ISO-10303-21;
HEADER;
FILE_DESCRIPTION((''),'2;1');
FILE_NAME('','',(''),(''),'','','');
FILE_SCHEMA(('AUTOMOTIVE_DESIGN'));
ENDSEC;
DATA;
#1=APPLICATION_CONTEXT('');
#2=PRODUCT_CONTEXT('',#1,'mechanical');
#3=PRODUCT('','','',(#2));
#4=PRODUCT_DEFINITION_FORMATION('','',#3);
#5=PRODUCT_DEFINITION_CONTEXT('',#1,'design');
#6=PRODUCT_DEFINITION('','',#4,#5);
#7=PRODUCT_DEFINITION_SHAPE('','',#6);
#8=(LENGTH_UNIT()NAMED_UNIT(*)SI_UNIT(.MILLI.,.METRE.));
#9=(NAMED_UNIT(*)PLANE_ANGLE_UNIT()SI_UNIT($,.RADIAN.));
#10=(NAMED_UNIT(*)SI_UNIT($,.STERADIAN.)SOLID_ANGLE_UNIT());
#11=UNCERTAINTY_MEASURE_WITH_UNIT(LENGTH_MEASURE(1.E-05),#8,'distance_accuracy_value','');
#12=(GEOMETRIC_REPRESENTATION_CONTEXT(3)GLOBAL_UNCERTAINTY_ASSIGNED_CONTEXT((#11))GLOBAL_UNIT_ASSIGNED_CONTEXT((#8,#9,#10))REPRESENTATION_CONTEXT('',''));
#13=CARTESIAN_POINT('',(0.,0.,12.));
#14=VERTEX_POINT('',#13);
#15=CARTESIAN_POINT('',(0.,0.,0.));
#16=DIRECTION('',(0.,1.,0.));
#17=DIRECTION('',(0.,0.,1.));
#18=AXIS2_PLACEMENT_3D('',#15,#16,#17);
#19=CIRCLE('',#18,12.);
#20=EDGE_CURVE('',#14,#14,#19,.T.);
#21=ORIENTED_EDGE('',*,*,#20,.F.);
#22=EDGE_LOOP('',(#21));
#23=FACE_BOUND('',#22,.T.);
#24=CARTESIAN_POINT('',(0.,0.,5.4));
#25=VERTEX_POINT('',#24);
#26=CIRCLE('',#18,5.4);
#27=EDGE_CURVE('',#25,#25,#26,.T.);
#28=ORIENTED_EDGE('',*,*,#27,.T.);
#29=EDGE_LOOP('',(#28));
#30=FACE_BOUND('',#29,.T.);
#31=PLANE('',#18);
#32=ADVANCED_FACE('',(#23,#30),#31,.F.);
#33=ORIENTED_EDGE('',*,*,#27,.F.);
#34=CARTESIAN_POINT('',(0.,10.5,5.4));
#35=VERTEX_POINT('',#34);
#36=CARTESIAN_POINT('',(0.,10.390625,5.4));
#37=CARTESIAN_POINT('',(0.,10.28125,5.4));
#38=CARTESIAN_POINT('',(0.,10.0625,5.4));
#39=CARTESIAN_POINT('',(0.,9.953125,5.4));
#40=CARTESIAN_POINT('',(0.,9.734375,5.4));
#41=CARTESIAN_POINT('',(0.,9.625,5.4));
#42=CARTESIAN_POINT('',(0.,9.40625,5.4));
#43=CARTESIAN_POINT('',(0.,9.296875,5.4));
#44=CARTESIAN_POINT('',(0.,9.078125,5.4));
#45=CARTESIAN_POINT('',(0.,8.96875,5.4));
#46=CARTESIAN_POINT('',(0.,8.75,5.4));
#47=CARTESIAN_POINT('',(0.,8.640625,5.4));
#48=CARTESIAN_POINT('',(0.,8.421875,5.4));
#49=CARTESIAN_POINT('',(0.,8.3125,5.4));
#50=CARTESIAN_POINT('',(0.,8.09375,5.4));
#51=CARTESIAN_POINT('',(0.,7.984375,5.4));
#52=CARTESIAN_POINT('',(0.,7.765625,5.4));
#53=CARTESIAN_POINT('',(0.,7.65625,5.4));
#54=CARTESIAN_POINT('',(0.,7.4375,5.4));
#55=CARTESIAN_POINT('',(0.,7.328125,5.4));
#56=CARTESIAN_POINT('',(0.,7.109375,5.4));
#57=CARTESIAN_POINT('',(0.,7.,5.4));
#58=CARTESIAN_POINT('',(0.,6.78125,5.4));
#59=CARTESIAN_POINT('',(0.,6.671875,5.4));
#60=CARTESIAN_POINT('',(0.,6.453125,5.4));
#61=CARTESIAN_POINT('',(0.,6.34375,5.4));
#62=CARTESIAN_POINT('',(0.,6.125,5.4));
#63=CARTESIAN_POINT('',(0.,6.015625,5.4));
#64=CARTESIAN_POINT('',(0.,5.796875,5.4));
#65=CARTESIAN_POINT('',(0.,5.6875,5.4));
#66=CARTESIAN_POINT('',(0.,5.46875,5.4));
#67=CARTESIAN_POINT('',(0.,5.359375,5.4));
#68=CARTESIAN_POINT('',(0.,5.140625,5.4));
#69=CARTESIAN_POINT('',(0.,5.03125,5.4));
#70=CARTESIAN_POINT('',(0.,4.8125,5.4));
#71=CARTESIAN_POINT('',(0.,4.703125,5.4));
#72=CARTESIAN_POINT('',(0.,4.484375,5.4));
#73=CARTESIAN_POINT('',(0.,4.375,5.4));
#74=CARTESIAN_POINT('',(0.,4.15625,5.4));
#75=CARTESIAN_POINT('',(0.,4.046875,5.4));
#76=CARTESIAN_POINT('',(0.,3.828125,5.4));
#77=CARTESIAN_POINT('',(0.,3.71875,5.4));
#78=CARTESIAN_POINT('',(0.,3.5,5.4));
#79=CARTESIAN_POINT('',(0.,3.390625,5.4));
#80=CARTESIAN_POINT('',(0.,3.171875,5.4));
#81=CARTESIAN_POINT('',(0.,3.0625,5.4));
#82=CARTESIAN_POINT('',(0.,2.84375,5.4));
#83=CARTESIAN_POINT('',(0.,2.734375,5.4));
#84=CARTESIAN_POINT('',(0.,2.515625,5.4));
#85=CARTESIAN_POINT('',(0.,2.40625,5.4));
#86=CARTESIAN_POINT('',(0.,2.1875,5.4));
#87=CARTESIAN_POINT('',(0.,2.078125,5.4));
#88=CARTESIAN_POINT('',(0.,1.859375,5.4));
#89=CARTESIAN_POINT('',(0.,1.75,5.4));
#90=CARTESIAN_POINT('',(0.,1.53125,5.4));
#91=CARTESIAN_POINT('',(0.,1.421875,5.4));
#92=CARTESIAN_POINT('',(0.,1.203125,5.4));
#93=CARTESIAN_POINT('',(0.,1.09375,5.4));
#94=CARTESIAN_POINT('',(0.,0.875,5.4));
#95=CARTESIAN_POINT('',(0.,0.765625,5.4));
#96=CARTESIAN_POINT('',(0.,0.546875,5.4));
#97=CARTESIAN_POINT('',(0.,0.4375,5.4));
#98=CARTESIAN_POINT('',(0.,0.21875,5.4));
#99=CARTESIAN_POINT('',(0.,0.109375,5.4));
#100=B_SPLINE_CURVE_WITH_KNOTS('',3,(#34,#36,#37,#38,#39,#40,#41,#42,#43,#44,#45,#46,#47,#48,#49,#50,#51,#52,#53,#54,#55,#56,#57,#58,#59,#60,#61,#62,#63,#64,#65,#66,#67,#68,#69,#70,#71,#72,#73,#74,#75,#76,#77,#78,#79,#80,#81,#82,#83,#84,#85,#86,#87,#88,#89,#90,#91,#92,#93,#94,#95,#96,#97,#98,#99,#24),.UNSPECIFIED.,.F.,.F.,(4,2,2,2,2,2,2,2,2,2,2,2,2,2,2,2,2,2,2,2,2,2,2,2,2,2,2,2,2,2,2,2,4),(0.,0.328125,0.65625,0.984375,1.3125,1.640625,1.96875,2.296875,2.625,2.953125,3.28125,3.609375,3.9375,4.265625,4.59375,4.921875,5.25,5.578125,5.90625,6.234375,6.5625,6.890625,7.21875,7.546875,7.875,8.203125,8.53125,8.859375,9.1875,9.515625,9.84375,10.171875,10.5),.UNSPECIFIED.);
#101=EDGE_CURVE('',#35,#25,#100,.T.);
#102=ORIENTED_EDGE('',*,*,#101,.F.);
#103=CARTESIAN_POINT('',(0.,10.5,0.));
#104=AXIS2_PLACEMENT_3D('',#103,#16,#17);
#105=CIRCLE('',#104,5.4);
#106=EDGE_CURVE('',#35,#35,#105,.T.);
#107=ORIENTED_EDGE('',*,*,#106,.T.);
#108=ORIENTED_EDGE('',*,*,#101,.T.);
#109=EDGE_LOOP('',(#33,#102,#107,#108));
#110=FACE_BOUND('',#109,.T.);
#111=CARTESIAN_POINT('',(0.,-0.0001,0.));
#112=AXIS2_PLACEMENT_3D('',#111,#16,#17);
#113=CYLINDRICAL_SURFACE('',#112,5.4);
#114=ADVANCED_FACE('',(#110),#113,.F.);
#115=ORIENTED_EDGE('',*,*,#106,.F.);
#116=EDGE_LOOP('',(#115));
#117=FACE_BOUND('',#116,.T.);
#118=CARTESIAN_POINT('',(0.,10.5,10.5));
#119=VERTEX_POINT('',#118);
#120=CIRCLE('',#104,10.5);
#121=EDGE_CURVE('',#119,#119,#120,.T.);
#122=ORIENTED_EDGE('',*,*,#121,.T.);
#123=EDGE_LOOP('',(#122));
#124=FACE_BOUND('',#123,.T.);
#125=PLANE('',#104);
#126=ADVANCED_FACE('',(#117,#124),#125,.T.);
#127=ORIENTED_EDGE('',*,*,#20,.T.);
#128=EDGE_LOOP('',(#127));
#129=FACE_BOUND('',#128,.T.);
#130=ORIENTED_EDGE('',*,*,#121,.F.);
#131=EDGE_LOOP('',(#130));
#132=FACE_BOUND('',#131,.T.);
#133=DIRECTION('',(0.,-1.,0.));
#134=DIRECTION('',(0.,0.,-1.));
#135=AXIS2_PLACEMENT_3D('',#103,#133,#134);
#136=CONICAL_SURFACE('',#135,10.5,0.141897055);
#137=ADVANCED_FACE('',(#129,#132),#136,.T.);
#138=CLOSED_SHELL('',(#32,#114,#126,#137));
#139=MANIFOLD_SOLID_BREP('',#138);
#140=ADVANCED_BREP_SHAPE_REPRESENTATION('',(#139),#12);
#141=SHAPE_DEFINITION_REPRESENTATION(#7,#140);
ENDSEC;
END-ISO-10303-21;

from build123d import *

# Parameters (mm, degrees)
SKETCH_1_R          = 12
SKETCH_2_R          = 10.5
SKETCH_4_R          = 5.4
CUT_EXTRUDE_1_DEPTH = 20.956202216


with BuildPart() as part:
    # 草图1 → 放样1 section 0
    with BuildSketch(Plane(origin=(0, 0, 0), x_dir=(1, 0, 0), z_dir=(0, 1, 0))):
        Circle(SKETCH_1_R)
    # 草图2 → 放样1 section 1
    with BuildSketch(Plane(origin=(0, 10.5, 0), x_dir=(1, 0, 0), z_dir=(0, 1, 0))):
        Circle(SKETCH_2_R)
    loft()

    # 草图4 → 切除-拉伸1 (cut, through all)
    with BuildSketch(Plane(origin=(0, 10.5, 0), x_dir=(1, 0, 0), z_dir=(0, 1, 0))):
        with Locations(Location((0, 0, 0), (0, 0, 270))):
            Circle(SKETCH_4_R)
    extrude(amount=-CUT_EXTRUDE_1_DEPTH, mode=Mode.SUBTRACT)


solid = part.part
